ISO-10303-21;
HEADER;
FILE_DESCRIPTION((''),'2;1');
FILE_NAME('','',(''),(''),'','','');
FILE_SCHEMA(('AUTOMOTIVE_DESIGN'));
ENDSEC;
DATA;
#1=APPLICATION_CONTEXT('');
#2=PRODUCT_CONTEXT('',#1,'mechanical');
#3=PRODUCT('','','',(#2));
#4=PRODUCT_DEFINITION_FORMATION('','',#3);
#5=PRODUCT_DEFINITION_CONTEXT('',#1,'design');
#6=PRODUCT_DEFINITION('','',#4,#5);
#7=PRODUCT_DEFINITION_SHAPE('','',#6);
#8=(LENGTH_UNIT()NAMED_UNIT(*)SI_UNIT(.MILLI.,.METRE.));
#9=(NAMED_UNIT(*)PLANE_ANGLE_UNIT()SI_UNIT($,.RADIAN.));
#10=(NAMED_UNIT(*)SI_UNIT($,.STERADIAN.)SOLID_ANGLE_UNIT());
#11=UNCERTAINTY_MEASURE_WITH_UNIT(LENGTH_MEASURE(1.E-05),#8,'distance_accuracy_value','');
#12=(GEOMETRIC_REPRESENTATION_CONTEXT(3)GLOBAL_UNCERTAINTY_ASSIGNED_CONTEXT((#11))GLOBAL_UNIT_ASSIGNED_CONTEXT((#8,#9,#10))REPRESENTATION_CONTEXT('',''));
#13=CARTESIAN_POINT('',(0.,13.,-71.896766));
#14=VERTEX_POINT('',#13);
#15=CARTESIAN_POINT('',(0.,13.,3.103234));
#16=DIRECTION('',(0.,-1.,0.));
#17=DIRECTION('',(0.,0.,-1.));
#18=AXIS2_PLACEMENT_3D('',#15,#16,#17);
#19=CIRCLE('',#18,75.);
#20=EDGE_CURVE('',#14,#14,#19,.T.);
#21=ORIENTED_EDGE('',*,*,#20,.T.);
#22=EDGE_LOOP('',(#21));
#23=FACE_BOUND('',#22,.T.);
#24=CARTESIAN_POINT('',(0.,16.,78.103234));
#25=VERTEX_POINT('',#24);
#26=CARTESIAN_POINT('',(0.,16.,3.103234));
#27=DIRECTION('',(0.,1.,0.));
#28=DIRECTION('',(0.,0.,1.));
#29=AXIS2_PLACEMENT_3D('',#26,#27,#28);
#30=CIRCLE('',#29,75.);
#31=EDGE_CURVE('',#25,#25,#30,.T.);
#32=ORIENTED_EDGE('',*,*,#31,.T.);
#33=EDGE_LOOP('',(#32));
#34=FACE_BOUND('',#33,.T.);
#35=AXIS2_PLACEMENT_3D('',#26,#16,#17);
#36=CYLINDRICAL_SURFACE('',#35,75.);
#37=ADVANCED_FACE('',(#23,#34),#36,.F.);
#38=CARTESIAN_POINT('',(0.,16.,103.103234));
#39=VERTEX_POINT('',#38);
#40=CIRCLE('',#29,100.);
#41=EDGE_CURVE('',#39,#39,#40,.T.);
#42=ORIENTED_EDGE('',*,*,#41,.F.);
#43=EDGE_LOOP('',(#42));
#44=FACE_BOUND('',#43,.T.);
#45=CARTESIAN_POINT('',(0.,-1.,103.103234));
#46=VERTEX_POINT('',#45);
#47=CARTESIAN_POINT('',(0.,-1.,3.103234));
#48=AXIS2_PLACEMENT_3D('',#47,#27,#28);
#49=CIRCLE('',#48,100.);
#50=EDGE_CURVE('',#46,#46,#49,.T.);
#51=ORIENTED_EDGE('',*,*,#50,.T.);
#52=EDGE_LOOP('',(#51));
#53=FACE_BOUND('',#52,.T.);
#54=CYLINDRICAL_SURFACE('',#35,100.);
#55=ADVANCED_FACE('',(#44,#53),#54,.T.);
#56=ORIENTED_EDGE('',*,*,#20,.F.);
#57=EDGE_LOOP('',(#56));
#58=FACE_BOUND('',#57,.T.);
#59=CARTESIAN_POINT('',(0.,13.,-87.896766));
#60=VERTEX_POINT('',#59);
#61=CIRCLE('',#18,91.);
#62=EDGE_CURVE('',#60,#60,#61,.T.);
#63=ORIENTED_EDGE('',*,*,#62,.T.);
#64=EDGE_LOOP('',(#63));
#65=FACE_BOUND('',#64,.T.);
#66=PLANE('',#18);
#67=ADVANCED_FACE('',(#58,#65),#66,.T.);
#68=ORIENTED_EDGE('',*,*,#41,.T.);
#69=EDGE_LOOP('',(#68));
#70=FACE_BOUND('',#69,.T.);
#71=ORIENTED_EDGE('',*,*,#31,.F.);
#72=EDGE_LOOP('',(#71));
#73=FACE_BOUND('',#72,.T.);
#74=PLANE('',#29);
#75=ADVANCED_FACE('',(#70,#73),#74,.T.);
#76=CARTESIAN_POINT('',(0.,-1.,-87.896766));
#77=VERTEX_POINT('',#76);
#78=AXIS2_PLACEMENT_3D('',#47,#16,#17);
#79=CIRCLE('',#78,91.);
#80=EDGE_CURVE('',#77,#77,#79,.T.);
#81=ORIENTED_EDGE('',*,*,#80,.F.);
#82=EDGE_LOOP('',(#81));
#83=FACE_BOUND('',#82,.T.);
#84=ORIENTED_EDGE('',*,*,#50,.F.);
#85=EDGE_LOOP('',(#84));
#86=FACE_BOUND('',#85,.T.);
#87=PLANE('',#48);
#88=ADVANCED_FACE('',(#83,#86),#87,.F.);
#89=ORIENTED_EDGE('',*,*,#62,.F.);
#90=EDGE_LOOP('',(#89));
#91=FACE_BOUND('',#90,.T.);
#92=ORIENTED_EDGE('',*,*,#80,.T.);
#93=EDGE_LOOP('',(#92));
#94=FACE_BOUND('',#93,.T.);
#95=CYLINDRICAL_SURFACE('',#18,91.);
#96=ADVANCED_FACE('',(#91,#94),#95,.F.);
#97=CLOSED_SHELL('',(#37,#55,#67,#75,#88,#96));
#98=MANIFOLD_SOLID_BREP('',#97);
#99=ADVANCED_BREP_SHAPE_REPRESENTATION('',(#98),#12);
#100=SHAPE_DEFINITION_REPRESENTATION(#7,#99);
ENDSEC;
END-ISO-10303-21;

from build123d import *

# Parameters (mm, degrees)
EXTRUDE_START       = -1
SKETCH_1_R          = 100
SKETCH_1_R_2        = 75
EXTRUDE_1_DEPTH     = 17
SKETCH_5_R          = 91
CUT_EXTRUDE_1_DEPTH = 14


with BuildPart() as part:
    # Эскиз1 → Вытянуть1 (new body)
    with BuildSketch(Plane(origin=(0, 0, 0), x_dir=(1, 0, 0), z_dir=(0, 1, 0)).offset(EXTRUDE_START)):
        with Locations(Location((0, -3.103234433, 0), (0, 0, 270))):
            Circle(SKETCH_1_R)
        with Locations(Location((0, -3.103234433, 0), (0, 0, 270))):
            Circle(SKETCH_1_R_2, mode=Mode.SUBTRACT)
    extrude(amount=EXTRUDE_1_DEPTH)

    # Эскиз5 → Вырез-Вытянуть1 (cut)
    with BuildSketch(Plane.XZ.offset(1)):
        with Locations(Location((0, 3.103234433, 0), (0, 0, 270))):
            Circle(SKETCH_5_R)
    extrude(amount=-CUT_EXTRUDE_1_DEPTH, mode=Mode.SUBTRACT)


solid = part.part
